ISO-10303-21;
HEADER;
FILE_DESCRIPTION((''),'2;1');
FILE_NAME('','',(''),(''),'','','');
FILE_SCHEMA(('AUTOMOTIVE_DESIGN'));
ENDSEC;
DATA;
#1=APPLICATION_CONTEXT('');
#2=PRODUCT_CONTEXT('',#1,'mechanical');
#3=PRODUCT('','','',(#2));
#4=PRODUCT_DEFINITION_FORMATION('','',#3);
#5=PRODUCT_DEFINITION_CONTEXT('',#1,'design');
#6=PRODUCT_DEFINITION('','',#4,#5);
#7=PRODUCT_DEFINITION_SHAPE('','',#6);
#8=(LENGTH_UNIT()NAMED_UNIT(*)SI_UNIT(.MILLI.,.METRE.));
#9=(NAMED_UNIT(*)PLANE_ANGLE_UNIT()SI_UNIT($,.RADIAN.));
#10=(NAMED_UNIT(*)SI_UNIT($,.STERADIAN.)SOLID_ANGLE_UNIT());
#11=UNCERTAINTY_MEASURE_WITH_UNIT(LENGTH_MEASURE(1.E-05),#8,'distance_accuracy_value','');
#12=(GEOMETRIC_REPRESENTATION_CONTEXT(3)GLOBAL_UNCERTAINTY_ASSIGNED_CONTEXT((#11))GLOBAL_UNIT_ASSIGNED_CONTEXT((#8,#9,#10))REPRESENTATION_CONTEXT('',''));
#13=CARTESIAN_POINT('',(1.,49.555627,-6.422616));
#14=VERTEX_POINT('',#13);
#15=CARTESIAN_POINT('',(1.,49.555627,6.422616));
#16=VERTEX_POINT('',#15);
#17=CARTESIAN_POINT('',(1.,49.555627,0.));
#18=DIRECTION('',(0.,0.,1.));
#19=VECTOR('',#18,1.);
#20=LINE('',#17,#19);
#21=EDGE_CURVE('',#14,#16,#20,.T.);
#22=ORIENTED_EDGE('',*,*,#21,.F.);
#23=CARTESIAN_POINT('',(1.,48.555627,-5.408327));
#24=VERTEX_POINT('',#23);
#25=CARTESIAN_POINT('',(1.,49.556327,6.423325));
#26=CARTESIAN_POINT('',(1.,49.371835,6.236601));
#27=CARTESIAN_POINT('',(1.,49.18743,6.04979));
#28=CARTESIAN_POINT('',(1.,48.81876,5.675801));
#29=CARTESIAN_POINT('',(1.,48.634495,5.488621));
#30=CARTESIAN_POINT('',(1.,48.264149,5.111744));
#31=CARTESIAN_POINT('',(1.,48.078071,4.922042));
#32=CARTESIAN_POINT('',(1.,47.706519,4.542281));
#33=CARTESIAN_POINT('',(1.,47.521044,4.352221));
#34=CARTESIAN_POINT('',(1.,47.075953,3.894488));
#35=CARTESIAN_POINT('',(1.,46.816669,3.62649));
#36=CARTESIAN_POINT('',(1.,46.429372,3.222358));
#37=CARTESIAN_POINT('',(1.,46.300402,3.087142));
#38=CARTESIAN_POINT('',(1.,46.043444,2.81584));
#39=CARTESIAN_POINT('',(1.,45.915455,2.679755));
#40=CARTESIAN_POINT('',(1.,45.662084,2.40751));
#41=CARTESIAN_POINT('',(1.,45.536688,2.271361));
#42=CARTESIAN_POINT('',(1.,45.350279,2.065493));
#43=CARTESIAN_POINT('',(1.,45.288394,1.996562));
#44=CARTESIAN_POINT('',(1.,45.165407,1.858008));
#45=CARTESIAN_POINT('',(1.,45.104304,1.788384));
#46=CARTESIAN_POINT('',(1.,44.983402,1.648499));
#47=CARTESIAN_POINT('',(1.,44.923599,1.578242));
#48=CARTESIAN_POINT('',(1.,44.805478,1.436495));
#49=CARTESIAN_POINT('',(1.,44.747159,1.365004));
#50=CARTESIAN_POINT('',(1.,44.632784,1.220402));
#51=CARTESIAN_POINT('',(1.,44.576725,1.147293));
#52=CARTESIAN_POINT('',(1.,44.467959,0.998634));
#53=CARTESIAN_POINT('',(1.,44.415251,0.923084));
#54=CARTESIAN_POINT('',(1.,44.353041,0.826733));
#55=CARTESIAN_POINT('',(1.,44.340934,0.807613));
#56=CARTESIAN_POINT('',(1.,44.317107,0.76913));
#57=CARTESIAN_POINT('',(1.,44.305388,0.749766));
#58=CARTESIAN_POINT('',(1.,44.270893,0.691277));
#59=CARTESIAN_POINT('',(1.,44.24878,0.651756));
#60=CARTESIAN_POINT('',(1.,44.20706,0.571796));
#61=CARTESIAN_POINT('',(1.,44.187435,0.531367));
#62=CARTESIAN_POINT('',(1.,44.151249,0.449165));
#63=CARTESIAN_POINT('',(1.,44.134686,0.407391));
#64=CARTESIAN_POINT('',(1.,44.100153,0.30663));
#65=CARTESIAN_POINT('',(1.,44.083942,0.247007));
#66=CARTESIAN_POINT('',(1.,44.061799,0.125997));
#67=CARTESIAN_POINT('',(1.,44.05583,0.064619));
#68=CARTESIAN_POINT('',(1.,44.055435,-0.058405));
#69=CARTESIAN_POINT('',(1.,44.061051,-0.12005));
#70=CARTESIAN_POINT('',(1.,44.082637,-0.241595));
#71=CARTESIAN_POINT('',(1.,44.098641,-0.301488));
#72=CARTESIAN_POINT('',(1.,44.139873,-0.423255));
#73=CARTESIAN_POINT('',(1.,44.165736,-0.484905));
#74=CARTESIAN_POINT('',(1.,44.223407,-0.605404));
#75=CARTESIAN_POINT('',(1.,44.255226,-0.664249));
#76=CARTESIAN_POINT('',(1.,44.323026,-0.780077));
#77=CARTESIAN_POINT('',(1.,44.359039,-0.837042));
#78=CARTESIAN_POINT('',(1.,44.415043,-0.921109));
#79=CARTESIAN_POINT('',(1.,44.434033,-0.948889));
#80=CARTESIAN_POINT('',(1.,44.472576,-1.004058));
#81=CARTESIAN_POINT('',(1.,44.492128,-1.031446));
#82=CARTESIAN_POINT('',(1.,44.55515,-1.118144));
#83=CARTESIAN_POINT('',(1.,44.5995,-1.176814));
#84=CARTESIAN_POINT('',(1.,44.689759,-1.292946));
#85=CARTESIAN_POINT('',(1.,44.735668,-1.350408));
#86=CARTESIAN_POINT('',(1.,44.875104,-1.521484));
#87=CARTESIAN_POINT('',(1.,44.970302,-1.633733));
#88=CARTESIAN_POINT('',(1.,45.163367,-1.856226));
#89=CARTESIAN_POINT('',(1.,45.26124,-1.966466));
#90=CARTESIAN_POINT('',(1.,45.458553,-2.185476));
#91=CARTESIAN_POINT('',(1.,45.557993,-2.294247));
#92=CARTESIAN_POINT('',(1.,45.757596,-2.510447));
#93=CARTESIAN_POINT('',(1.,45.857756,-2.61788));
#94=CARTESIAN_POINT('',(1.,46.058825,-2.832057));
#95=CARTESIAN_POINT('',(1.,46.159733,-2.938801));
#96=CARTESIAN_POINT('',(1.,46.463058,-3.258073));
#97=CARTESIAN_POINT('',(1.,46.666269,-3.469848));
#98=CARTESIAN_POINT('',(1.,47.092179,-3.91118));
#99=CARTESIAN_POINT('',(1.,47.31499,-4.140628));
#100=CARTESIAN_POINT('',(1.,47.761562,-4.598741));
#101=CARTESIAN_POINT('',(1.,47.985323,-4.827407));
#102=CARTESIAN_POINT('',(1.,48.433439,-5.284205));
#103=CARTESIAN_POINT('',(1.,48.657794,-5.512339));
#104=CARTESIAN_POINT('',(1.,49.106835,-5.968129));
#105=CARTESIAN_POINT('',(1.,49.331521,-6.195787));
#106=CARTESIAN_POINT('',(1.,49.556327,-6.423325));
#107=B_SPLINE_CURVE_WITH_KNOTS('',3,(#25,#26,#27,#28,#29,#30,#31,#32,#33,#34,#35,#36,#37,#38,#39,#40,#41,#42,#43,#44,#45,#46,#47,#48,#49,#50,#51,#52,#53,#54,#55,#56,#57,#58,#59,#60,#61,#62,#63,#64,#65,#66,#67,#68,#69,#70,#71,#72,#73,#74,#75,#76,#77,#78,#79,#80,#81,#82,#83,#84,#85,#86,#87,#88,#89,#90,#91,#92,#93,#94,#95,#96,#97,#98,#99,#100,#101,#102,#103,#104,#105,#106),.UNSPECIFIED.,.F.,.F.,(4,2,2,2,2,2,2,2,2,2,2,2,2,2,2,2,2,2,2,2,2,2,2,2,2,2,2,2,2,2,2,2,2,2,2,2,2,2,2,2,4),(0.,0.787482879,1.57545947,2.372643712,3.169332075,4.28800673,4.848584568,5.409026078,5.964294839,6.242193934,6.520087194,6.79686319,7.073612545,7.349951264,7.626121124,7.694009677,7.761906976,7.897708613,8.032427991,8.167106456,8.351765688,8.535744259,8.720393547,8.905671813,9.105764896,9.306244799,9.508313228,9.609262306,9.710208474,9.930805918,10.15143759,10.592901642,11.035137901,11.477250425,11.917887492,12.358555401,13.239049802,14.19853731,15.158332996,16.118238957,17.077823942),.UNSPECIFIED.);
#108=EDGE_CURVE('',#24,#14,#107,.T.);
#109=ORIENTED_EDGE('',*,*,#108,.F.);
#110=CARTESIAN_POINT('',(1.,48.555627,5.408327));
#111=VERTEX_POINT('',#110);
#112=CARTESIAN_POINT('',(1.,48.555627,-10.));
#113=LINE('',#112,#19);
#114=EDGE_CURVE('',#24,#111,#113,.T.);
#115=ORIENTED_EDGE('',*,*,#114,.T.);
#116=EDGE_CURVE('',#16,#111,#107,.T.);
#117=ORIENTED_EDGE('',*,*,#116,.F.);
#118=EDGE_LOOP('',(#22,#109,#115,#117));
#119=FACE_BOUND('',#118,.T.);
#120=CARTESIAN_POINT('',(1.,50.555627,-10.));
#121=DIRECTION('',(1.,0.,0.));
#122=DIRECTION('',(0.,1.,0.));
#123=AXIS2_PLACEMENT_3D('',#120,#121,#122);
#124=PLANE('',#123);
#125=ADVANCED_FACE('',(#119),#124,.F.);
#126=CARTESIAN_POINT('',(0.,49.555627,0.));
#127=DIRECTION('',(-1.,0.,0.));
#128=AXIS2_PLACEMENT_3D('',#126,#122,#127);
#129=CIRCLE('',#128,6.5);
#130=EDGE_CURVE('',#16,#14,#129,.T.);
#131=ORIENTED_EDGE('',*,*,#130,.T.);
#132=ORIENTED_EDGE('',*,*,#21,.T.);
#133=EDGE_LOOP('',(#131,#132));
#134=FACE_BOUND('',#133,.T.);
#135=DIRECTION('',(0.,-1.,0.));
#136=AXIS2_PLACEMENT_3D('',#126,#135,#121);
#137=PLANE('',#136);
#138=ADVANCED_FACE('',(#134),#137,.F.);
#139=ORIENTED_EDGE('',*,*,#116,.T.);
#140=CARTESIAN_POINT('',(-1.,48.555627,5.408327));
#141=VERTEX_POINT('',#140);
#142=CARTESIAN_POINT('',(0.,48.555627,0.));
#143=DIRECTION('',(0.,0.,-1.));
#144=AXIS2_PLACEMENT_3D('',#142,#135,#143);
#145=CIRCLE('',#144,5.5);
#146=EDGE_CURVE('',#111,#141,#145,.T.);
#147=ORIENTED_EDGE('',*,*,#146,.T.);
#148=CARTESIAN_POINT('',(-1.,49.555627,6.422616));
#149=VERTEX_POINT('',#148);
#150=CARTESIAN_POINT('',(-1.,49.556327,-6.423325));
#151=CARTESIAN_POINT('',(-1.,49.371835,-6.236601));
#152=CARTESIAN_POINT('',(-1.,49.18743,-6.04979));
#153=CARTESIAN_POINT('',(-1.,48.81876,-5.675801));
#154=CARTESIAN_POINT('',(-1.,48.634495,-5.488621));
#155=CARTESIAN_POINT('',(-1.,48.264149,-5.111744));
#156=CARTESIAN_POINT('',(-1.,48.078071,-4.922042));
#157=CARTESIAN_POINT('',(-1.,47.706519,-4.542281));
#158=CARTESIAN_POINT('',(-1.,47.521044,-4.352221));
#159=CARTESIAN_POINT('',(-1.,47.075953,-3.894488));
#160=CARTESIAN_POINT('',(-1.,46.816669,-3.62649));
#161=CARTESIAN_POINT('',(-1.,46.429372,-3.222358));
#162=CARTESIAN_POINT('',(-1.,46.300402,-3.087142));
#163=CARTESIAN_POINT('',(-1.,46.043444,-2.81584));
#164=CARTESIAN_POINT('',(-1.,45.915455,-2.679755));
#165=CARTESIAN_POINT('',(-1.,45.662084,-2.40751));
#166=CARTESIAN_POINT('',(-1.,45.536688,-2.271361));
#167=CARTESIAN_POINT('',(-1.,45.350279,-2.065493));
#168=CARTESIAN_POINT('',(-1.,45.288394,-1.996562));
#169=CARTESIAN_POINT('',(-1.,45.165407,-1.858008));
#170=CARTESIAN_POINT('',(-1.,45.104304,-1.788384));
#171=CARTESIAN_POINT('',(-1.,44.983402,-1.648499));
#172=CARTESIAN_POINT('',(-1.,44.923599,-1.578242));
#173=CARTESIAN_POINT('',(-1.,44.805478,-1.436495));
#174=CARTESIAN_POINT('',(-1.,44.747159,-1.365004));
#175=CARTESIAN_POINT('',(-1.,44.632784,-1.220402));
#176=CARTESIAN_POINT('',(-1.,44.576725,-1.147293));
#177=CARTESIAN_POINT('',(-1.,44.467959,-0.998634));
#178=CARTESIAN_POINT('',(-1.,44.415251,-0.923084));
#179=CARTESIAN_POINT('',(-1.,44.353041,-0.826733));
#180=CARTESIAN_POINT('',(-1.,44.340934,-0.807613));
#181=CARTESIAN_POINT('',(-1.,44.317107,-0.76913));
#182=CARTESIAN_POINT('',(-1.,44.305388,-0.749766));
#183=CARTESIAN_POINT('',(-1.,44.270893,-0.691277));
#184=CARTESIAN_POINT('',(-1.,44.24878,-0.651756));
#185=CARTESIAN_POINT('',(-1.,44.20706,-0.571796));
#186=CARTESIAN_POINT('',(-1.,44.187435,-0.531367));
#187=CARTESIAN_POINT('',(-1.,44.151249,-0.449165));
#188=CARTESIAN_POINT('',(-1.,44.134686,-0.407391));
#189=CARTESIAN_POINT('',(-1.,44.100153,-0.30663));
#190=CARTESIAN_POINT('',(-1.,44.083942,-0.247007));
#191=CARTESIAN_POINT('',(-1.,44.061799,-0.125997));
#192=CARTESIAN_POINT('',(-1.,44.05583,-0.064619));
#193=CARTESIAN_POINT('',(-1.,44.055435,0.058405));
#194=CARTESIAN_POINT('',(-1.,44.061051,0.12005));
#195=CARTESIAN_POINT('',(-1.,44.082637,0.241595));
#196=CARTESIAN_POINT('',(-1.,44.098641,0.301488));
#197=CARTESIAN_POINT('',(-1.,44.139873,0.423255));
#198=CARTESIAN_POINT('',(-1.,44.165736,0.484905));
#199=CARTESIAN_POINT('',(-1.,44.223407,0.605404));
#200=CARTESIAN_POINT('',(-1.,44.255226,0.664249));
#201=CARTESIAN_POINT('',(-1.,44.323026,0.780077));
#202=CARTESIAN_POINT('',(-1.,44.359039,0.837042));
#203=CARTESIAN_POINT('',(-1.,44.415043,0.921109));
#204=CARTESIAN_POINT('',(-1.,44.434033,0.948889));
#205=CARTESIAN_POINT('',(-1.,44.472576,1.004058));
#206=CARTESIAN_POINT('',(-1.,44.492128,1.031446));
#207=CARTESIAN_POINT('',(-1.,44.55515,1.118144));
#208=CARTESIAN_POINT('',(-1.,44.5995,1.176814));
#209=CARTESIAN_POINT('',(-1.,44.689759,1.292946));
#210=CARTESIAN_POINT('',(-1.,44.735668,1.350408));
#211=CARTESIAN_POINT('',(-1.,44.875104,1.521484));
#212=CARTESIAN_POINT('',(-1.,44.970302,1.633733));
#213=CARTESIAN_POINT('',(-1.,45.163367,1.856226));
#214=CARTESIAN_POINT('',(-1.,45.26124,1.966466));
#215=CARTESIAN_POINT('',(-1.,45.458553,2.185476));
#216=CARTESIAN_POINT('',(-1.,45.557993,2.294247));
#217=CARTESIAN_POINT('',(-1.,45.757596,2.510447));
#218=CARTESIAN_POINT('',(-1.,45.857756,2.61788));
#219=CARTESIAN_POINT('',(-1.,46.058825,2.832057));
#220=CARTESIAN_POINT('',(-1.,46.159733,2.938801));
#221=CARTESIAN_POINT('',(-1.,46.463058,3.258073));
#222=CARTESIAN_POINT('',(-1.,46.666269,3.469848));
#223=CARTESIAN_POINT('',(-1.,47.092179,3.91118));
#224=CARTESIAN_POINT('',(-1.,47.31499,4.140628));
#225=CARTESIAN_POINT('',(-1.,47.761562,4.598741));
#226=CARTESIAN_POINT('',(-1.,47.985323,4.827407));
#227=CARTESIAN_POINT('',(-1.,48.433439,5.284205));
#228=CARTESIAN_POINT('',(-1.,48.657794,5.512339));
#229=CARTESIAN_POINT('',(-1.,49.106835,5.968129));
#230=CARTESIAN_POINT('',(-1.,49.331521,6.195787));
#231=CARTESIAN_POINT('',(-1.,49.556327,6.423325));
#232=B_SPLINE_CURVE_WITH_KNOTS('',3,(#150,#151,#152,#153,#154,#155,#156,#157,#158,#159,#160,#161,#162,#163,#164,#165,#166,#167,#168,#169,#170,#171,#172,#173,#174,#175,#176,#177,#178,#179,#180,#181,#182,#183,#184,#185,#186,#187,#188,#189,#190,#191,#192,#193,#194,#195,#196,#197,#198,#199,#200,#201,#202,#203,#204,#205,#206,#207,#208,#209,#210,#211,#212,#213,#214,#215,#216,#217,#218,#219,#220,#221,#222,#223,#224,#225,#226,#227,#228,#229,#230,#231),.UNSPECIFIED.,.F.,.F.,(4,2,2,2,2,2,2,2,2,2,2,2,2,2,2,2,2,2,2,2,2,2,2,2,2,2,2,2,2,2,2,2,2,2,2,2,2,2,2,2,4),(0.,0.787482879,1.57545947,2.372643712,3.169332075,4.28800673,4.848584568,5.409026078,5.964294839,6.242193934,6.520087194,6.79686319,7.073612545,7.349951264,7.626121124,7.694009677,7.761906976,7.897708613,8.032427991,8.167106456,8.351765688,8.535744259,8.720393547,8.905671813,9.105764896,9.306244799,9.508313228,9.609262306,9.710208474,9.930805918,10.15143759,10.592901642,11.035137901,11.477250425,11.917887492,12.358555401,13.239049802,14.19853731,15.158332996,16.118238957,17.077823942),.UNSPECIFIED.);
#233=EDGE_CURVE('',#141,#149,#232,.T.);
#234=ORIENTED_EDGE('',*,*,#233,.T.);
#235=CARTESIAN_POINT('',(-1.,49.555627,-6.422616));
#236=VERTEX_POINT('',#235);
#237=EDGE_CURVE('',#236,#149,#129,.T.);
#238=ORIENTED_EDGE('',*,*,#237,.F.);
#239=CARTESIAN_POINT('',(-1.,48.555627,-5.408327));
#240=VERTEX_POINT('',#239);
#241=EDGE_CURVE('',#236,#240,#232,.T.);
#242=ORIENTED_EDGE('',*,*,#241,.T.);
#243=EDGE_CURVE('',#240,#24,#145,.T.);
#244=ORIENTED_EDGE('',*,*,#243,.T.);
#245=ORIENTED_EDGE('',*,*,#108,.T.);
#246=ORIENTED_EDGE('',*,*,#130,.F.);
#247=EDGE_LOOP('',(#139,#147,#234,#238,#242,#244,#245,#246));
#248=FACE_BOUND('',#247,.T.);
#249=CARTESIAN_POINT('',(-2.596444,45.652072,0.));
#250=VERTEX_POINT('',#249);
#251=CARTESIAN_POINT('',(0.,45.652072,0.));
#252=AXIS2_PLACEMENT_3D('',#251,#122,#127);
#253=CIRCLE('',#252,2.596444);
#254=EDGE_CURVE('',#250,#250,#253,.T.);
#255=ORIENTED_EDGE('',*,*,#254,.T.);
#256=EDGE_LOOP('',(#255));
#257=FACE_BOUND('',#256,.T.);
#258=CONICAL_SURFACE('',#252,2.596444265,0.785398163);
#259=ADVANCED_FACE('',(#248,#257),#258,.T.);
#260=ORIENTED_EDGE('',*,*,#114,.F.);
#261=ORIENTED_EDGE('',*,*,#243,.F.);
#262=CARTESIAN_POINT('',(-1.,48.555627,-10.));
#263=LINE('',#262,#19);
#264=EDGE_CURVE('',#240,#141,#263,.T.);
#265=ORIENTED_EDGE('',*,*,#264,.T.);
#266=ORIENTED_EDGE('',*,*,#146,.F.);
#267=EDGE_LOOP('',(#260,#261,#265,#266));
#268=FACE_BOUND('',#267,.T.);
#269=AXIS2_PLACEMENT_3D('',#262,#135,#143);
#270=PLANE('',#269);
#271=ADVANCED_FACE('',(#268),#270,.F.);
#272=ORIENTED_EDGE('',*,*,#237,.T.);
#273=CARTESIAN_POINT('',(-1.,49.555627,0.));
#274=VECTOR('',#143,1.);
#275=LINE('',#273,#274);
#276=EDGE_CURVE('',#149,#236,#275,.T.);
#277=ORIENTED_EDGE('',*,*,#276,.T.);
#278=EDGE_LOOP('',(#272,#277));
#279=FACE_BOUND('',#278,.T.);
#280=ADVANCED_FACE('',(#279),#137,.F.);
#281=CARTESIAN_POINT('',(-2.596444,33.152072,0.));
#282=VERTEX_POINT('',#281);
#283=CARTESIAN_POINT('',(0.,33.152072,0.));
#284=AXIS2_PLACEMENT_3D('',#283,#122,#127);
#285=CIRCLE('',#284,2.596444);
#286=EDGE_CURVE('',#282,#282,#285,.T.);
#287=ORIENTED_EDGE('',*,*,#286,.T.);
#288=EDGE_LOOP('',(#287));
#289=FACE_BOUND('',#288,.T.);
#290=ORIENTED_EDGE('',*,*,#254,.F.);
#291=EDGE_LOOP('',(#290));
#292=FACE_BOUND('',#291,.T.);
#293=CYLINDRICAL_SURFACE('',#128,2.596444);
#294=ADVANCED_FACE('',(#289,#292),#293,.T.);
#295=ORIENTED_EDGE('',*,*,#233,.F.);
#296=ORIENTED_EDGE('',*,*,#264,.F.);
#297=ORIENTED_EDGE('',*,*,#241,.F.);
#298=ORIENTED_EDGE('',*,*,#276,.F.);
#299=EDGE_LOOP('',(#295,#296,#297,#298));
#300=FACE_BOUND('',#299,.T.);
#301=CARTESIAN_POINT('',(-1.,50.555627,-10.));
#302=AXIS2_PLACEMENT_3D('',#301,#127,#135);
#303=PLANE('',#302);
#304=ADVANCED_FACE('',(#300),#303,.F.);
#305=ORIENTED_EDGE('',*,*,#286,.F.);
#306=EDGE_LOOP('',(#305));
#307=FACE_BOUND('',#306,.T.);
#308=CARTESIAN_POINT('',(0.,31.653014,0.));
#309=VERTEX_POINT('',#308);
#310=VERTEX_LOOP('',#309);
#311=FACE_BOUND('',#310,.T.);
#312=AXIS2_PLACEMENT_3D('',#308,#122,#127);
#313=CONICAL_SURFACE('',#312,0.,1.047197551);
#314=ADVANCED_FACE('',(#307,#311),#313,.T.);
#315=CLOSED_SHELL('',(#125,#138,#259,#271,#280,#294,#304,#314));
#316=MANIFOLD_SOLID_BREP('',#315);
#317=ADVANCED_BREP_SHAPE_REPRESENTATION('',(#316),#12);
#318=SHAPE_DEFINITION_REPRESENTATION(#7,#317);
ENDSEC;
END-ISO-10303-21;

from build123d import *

# Parameters (mm, degrees)
SKETCH2_W          = 2
SKETCH2_H          = 2
CUT_EXTRUDE1_DEPTH = 10


with BuildPart() as part:
    # Sketch1 → Revolve1 (revolve)
    with BuildSketch(Plane.XY, mode=Mode.PRIVATE) as revolve1_sk:
        Polygon((0, 49.555627393), (6.5, 49.555627393), (2.596444265, 45.652071659), (2.596444265, 33.152071659), (0, 31.653013863), align=None)
    revolve(revolve1_sk.sketch.rotate(Axis((0, 49.555627393, 0), (0, -1, 0)), 180), axis=Axis((0, 49.555627393, 0), (0, -1, 0)))

    # Sketch2 → Cut-Extrude1 (cut, symmetric)
    with BuildSketch(Plane.XY):
        with Locations((0, 49.555627393)):
            Rectangle(SKETCH2_W, SKETCH2_H)
    extrude(amount=CUT_EXTRUDE1_DEPTH, both=True, mode=Mode.SUBTRACT)


solid = part.part
